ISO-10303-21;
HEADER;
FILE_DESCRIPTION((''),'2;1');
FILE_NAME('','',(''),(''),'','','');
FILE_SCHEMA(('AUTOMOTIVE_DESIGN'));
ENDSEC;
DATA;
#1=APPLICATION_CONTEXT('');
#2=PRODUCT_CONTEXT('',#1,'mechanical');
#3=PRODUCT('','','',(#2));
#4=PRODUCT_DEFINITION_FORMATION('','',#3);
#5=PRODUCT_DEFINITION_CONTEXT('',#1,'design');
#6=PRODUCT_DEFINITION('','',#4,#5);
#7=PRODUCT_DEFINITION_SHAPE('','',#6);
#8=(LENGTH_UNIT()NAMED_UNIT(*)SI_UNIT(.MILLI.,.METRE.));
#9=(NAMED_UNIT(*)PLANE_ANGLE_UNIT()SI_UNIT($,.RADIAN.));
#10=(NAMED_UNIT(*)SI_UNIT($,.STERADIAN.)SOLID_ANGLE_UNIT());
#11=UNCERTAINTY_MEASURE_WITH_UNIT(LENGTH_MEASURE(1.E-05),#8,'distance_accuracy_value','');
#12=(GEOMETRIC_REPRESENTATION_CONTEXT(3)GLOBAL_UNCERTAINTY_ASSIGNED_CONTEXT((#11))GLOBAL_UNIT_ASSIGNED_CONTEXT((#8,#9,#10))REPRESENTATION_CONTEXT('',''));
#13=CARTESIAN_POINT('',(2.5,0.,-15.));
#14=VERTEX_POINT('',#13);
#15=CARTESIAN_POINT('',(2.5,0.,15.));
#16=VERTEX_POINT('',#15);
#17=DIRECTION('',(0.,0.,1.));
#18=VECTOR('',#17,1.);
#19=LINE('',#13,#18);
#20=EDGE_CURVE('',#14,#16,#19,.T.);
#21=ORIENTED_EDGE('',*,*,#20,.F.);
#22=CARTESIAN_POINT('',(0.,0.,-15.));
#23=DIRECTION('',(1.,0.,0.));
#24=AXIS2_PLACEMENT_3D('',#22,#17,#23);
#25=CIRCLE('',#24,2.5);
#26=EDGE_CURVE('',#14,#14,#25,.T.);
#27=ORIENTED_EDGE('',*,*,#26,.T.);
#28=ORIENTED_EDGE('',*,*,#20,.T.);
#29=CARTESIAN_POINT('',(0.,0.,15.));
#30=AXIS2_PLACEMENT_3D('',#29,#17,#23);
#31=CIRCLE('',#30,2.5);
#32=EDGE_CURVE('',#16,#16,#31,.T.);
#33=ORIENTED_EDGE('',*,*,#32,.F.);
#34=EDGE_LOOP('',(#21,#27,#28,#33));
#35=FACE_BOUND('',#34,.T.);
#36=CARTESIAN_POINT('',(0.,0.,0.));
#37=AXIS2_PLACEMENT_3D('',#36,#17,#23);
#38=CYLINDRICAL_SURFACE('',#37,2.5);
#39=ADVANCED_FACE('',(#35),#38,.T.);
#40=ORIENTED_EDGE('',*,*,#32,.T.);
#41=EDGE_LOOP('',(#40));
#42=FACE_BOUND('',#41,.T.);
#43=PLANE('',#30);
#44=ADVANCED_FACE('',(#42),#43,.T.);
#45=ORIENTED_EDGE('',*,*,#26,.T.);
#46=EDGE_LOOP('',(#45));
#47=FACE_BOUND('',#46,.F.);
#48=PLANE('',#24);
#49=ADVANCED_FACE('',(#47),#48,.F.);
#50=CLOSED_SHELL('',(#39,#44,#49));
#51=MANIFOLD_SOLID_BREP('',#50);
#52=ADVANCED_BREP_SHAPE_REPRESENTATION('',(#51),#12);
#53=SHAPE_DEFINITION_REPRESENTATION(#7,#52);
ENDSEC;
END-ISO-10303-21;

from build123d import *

# Parameters (mm, degrees)
IZIM1_R                     = 2.5
Y_KSEKLIK_EKSTR_ZYON1_DEPTH = 15


with BuildPart() as part:
    # Çizim1 → Yükseklik-Ekstrüzyon1 (new body, symmetric)
    with BuildSketch(Plane.XY):
        Circle(IZIM1_R)
    extrude(amount=Y_KSEKLIK_EKSTR_ZYON1_DEPTH, both=True)


solid = part.part
